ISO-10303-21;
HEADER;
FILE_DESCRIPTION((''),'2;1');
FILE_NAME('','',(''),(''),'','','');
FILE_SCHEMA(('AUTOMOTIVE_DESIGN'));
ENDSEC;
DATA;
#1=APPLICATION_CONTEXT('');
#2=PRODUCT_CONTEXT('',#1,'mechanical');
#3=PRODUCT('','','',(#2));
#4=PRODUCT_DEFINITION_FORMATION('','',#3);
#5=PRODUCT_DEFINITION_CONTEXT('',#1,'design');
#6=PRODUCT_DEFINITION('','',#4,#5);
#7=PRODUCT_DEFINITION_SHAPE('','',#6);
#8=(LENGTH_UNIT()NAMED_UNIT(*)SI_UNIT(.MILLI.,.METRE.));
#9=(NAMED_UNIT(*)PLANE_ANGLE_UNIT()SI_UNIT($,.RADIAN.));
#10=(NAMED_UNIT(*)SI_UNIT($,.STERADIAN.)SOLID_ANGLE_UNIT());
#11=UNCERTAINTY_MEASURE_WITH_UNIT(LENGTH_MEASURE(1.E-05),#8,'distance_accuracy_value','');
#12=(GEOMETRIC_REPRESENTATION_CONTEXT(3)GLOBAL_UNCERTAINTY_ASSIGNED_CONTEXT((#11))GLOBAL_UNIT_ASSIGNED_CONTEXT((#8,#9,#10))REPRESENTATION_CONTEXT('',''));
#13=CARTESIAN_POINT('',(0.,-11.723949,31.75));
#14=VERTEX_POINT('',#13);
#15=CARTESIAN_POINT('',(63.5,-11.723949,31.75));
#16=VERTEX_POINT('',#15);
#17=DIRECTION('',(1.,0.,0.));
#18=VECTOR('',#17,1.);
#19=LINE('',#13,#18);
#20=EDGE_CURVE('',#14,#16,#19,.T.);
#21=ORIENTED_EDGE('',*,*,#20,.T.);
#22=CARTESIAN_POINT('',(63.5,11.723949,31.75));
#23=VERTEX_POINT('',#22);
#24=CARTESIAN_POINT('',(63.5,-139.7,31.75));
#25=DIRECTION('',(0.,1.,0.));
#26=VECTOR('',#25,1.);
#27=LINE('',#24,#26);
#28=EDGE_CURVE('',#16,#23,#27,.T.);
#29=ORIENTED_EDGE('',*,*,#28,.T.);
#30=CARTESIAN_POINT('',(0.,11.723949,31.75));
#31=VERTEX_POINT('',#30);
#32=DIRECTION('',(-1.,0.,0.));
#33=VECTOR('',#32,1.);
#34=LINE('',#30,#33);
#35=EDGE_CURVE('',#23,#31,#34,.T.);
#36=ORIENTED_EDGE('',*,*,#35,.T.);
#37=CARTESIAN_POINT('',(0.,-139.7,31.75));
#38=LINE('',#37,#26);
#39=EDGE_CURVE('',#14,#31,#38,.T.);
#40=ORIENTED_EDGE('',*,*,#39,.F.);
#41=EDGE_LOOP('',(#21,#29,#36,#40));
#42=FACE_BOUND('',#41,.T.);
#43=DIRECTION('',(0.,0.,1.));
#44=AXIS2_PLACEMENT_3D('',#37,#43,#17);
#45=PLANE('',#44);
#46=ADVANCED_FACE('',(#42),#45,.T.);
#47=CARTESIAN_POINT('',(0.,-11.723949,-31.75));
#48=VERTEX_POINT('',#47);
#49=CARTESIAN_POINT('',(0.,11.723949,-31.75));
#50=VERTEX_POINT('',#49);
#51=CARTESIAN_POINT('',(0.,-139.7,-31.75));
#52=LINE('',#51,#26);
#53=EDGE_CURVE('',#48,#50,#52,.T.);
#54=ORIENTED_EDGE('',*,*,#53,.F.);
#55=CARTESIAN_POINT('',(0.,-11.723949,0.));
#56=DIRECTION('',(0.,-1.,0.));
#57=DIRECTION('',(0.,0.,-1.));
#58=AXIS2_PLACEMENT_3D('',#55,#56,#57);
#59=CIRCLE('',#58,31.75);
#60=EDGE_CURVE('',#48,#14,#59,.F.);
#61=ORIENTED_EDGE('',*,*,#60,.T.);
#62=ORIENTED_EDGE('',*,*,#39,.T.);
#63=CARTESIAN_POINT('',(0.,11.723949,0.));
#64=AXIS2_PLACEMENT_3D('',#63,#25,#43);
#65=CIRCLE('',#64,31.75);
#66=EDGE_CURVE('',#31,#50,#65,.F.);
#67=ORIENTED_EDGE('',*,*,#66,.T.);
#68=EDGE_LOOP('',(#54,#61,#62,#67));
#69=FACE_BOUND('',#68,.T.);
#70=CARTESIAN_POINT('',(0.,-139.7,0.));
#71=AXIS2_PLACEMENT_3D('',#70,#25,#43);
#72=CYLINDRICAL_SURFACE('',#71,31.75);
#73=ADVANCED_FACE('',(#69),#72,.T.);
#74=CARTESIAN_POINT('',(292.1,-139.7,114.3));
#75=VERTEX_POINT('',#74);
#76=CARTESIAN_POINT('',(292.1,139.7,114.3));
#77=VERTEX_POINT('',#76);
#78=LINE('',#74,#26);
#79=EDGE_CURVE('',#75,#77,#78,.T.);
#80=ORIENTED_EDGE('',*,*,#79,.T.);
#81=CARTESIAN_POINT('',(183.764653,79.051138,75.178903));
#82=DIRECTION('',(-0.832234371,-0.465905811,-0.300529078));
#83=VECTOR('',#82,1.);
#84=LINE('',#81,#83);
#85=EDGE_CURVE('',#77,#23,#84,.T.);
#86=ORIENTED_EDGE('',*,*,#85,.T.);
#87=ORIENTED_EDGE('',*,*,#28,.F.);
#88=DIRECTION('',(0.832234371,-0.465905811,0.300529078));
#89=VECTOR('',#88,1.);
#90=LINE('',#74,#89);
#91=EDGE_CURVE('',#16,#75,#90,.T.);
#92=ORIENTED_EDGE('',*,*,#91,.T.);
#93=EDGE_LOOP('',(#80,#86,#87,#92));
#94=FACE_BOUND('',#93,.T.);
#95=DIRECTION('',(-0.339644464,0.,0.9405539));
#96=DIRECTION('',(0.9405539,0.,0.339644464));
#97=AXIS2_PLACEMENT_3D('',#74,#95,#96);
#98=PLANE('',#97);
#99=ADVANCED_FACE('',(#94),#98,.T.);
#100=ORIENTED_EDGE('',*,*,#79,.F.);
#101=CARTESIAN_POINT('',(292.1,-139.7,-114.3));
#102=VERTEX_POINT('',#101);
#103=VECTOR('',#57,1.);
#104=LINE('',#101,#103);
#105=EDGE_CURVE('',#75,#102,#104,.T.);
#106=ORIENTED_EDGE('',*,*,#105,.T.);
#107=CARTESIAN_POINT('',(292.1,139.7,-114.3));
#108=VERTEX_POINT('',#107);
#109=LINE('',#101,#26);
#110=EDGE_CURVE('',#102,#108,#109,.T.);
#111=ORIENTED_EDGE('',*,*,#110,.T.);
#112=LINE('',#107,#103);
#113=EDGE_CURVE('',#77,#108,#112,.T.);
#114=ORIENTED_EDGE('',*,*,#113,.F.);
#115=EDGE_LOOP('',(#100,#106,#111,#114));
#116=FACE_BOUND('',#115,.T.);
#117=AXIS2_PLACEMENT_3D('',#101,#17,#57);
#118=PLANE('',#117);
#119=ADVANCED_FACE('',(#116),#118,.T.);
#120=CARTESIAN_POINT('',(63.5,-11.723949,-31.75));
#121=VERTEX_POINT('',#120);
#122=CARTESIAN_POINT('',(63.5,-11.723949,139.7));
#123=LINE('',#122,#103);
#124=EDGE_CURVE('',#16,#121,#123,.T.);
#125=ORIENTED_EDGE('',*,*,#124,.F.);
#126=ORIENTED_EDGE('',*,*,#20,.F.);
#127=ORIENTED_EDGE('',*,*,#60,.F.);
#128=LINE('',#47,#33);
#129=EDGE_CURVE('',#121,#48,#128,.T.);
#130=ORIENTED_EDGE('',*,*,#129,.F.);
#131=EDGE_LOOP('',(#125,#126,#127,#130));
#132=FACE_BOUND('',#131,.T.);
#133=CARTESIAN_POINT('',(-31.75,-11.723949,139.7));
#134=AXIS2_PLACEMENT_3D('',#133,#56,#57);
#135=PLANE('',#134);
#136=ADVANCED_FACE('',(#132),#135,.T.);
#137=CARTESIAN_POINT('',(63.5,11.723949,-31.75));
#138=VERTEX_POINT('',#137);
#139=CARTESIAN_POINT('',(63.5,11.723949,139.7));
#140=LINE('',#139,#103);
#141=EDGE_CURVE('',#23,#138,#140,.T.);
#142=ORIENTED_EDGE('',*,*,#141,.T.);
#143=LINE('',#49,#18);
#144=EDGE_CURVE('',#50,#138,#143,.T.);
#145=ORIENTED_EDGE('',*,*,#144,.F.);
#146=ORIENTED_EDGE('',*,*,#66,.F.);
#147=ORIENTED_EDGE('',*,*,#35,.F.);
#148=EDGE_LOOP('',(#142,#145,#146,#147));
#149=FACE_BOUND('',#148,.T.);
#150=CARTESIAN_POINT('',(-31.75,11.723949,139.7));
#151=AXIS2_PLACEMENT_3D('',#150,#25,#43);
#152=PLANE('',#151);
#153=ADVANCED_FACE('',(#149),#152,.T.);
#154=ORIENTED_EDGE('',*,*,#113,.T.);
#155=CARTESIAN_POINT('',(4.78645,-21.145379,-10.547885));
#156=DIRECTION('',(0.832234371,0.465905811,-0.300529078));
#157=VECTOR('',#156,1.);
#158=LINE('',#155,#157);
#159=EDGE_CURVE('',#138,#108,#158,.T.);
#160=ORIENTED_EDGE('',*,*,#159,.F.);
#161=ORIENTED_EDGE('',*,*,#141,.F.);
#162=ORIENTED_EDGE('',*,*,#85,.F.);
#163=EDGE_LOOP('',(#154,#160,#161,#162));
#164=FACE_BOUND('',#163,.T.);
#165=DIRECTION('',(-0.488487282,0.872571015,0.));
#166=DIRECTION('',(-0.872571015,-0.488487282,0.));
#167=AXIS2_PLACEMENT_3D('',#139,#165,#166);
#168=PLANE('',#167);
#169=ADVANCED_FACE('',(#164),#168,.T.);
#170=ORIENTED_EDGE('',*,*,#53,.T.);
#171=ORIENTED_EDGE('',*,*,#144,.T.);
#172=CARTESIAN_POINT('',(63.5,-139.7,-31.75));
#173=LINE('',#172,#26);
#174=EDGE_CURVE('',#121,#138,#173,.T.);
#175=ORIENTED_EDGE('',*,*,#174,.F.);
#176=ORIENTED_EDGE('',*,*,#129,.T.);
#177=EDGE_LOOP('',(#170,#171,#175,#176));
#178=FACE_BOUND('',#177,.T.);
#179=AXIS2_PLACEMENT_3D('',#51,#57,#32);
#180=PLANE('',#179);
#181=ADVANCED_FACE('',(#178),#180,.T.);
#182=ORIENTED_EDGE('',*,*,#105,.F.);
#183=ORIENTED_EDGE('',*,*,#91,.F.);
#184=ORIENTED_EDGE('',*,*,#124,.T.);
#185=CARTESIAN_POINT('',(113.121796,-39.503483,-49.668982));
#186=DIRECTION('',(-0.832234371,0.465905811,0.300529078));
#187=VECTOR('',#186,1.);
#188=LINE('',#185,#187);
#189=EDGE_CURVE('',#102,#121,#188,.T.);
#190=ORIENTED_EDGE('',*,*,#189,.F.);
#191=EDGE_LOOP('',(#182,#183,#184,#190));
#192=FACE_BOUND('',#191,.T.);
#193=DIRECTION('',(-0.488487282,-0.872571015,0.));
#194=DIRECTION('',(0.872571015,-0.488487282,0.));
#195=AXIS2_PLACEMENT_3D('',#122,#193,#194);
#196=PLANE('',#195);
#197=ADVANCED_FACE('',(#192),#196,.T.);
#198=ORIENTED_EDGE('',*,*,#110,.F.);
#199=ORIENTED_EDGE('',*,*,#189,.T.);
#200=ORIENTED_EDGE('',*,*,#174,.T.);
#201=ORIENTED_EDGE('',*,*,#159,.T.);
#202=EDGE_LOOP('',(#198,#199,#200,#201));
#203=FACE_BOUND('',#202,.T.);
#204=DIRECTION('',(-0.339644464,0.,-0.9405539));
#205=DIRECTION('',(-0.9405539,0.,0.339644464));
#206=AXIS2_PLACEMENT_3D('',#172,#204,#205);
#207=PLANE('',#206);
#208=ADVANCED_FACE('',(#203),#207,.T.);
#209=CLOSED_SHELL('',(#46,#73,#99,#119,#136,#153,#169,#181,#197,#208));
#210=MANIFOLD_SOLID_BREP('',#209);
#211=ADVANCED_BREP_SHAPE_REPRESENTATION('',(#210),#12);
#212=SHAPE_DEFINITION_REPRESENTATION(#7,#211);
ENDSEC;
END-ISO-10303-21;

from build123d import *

# Parameters (mm, degrees)
BOSS_EXTRUDE1_DEPTH      = 139.7
BOSS_EXTRUDE1_DEPTH_BACK = 139.7
CUT_EXTRUDE1_DEPTH       = 139.7
CUT_EXTRUDE1_DEPTH_BACK  = 139.7


with BuildPart() as part:
    # Sketch1 → Boss-Extrude1 (new, two sides: drawn at the far end of the back side and taken through both)
    with BuildSketch(Plane(origin=(0, 0, 0), x_dir=(1, 0, 0), z_dir=(0, 1, 0)).offset(-BOSS_EXTRUDE1_DEPTH_BACK)):
        with BuildLine():
            Line((0, 31.75), (63.5, 31.75))
            Line((63.5, 31.75), (292.1, 114.3))
            Line((292.1, 114.3), (292.1, -114.3))
            Line((292.1, -114.3), (63.5, -31.75))
            Line((63.5, -31.75), (0, -31.75))
            ThreePointArc((0, -31.75), (-31.75, 0), (0, 31.75))
        make_face()
    extrude(amount=BOSS_EXTRUDE1_DEPTH + BOSS_EXTRUDE1_DEPTH_BACK)

    # Sketch2 → Cut-Extrude1 (cut, two sides: drawn at the far end of the back side and taken through both)
    with BuildSketch(Plane.XY.offset(-CUT_EXTRUDE1_DEPTH_BACK)):
        Polygon((-31.75, 11.723949014), (63.5, 11.723949014), (292.1, 139.7), (-31.75, 139.7), align=None)
        Polygon((63.5, -11.723949014), (292.1, -139.7), (-31.75, -139.7), (-31.75, -11.723949014), align=None)
    extrude(amount=CUT_EXTRUDE1_DEPTH + CUT_EXTRUDE1_DEPTH_BACK, mode=Mode.SUBTRACT)


solid = part.part
